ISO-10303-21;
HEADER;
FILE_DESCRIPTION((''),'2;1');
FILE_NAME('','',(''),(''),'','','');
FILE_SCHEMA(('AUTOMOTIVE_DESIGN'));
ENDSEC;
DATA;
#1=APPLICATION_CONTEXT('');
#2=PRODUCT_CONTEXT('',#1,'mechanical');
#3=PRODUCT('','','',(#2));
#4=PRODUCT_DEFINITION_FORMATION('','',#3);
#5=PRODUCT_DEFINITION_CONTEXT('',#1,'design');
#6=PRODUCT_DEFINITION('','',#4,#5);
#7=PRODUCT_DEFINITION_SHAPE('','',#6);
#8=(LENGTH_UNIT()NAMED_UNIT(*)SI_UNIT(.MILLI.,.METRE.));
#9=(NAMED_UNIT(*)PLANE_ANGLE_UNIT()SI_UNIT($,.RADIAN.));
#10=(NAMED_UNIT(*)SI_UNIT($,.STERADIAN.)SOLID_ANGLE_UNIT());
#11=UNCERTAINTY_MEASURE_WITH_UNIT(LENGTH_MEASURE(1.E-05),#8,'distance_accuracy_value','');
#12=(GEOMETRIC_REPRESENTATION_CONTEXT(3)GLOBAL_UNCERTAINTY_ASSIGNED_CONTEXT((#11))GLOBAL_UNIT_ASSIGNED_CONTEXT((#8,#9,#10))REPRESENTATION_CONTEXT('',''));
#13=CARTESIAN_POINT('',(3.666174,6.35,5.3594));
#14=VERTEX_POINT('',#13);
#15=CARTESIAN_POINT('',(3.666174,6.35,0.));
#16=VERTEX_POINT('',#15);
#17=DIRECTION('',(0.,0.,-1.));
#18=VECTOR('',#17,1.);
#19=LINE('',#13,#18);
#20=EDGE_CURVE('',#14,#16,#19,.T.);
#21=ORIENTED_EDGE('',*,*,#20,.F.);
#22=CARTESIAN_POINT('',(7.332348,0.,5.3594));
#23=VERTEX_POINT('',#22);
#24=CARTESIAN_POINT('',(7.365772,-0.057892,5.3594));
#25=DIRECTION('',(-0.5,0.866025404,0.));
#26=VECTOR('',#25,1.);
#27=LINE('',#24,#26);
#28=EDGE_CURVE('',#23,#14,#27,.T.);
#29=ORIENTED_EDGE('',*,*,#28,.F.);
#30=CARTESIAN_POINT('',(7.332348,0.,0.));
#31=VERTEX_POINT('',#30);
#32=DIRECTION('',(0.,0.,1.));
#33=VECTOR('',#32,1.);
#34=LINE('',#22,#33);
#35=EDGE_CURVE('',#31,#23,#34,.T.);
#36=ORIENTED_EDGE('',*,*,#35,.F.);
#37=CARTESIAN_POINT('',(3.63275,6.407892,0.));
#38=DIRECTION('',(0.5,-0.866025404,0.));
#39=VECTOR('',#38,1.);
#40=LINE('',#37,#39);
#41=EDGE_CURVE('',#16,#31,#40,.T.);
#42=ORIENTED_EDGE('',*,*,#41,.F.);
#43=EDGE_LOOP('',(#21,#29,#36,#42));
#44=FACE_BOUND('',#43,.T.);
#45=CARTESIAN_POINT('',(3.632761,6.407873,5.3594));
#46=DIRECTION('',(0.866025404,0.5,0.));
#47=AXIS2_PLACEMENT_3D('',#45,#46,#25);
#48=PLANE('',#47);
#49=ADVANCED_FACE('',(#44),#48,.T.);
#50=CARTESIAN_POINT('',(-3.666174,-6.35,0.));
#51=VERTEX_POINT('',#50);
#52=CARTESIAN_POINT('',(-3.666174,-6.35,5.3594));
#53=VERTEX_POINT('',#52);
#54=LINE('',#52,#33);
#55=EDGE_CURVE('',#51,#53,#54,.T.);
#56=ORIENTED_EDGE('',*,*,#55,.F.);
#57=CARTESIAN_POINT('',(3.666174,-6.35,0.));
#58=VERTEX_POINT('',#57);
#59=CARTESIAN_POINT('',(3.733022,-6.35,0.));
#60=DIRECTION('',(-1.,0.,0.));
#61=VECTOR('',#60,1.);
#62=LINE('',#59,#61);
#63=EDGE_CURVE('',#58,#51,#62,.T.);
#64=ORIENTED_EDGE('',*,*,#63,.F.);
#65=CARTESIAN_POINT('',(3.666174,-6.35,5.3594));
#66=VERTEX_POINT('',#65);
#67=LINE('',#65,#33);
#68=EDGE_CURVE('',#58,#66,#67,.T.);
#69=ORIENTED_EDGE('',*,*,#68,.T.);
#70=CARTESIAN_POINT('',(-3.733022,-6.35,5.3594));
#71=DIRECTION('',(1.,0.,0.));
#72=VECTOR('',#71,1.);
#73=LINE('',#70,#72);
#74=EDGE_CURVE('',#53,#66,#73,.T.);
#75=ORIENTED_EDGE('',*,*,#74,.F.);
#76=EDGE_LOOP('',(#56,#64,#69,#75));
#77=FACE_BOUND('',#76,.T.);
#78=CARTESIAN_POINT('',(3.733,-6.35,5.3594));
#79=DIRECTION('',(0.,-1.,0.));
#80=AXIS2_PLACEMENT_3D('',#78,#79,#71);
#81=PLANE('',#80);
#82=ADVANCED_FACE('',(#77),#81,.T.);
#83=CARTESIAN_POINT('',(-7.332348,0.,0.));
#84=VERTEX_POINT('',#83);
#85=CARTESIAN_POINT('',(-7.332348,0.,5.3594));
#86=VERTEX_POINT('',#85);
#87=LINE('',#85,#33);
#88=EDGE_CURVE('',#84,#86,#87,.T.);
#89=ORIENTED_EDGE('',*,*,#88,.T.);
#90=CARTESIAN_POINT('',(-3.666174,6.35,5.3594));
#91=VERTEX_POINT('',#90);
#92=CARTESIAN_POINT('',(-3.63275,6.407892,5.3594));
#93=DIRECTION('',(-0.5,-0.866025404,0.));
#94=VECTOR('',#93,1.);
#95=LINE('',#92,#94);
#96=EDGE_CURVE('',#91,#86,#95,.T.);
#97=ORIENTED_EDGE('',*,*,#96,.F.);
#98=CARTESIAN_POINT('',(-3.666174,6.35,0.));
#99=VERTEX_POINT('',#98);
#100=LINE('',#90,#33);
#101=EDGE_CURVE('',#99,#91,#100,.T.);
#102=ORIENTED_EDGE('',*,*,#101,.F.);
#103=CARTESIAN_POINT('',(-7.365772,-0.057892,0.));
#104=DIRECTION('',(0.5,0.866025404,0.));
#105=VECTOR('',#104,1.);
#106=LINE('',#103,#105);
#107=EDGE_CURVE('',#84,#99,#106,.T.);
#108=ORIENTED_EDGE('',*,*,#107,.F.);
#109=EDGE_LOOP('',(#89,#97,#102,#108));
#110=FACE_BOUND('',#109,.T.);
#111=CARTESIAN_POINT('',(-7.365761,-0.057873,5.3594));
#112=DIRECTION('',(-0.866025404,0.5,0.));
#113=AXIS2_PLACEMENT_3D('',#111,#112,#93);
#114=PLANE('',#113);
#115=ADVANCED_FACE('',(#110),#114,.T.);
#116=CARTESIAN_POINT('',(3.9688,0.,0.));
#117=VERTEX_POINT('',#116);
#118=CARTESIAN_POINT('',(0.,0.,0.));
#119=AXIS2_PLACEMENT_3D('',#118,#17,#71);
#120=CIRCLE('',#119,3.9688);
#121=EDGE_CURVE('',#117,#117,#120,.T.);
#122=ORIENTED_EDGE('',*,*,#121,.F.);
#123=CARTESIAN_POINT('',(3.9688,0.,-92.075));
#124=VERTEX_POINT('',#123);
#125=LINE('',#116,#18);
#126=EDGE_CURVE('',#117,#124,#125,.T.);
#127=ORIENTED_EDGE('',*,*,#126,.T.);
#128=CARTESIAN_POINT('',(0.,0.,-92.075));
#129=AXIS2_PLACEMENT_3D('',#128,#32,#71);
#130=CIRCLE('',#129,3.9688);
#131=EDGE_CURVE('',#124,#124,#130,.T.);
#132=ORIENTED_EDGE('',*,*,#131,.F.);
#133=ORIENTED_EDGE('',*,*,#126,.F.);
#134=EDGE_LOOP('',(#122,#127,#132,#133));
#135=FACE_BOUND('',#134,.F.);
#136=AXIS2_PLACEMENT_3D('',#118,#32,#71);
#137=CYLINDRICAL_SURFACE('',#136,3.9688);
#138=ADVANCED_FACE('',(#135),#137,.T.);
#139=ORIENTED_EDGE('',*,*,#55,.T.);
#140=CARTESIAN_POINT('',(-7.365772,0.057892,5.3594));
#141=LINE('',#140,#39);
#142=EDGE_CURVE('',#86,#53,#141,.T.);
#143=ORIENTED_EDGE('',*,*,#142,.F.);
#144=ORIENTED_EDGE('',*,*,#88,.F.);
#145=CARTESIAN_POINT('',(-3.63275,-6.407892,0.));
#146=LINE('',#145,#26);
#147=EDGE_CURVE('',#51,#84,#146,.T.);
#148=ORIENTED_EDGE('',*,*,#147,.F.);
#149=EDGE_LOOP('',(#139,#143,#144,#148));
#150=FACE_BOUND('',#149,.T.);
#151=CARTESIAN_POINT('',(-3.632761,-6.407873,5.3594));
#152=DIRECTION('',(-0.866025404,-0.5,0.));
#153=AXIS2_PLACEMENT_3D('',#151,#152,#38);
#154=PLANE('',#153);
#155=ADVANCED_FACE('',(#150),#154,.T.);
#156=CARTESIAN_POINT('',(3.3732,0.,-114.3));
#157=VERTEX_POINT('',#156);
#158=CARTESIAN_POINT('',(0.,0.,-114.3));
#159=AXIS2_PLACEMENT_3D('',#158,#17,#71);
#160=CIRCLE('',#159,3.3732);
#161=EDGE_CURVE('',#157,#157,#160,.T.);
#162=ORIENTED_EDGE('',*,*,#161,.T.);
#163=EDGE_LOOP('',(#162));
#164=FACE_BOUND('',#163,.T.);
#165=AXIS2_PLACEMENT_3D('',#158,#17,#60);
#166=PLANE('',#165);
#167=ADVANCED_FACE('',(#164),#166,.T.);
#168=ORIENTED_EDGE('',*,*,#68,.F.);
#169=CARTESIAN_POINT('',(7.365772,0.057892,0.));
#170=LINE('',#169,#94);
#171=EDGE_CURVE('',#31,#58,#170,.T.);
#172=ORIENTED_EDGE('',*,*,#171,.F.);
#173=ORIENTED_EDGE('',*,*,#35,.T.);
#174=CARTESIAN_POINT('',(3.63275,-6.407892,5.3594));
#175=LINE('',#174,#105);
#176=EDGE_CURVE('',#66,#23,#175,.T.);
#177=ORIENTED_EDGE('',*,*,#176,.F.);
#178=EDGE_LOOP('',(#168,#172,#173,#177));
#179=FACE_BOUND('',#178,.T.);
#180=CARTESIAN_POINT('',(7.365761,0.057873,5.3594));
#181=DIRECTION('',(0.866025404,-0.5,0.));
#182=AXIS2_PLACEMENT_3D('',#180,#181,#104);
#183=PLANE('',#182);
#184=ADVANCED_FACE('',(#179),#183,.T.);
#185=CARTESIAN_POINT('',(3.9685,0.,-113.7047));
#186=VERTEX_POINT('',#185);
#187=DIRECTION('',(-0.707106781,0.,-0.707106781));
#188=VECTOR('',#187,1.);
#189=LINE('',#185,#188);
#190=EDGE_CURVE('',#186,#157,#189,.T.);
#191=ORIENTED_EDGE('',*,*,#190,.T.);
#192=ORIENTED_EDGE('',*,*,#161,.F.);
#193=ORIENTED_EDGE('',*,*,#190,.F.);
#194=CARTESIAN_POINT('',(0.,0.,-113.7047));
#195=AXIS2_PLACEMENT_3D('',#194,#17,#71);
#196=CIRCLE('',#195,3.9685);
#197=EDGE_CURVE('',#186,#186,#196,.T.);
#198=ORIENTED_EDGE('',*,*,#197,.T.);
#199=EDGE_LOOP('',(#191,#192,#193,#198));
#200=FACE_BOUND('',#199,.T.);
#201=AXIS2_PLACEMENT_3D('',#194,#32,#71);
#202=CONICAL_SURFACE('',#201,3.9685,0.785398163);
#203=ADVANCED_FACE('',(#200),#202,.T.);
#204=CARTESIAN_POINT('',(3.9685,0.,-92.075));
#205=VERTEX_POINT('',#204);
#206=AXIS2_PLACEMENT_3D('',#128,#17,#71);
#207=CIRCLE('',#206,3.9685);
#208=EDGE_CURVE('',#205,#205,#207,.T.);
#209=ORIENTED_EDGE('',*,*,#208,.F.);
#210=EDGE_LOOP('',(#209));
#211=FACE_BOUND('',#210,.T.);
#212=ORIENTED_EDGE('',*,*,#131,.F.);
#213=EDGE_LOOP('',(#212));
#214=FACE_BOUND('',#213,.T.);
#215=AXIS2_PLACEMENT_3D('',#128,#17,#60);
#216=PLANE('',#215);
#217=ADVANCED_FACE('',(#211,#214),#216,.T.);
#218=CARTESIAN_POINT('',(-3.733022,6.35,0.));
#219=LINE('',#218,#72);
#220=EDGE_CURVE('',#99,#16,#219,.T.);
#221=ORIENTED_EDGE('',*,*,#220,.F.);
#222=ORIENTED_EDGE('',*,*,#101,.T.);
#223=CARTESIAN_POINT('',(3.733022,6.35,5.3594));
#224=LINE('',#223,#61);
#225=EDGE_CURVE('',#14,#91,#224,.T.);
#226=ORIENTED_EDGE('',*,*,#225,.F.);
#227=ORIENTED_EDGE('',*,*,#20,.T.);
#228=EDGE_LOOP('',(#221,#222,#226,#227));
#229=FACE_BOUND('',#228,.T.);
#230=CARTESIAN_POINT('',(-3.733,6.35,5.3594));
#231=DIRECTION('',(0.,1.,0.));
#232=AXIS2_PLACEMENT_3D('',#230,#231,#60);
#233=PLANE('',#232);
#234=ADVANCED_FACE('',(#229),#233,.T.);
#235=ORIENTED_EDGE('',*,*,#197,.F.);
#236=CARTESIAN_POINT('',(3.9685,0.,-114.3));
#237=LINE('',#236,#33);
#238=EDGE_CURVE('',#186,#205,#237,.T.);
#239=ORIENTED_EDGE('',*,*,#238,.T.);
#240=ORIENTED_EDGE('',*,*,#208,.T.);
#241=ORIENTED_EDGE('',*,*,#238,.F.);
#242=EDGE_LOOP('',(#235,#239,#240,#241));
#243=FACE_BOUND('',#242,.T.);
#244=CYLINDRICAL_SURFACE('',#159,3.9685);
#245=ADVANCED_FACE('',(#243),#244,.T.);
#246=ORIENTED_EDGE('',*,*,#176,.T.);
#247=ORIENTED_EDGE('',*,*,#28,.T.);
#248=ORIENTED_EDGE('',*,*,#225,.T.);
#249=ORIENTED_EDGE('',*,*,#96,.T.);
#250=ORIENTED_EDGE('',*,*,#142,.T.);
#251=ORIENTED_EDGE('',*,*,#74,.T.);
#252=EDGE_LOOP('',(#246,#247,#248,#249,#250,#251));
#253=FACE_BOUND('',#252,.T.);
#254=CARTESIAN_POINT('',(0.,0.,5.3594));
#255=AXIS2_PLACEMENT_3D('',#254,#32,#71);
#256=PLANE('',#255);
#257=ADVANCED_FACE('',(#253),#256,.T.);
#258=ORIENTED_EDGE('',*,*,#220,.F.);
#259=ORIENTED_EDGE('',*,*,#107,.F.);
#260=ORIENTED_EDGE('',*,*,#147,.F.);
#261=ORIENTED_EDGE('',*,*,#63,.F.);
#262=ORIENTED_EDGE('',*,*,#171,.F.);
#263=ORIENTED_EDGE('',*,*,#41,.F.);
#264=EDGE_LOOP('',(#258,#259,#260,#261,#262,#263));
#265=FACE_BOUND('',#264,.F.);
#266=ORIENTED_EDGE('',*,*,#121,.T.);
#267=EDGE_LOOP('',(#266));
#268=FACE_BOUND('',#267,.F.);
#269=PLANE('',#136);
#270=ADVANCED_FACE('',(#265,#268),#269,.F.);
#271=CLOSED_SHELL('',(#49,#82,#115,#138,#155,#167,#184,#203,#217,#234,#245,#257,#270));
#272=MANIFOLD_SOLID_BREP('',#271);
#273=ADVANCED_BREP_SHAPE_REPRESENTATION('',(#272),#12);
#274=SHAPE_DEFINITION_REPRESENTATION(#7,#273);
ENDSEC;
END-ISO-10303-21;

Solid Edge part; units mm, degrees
sketch "Sketch1" plane through (0, 0, 0) normal (0, 0, 1) x (1, 0, 0)
  circle A0 centre (0, 0) radius 7.366
  dimension "D1" = 14.732
extrude "Protrusion1" add sketch "Sketch1" along normal blind 5.3594
sketch "Sketch2" plane through (0, 0, 0) normal (0, 0, -1) x (1, 0, 0)
  circle A0 centre (0, 0) radius 3.9688
extrude "Protrusion2" add sketch "Sketch2" along normal blind 114.3
sketch "Sketch3" plane through (0, 0, -114.3) normal (0, 0, -1) x (1, 0, 0)
  circle A0 centre (0, 0) radius 3.9685
extrude "Cutout1" cut sketch "Sketch3" against normal blind 22.225 flip side to cut
chamfer "Chamfer_1" distance 0.5953 angle 45 1 edges at (-3.9685, 0, -114.3)
sketch "Sketch4" plane through (0, 0, 5.3594) normal (0, 0, 1) x (1, 0, 0)
  line L0 (-3.733, 6.35) -> (3.733, 6.35)
  dimension "D1" = 12.7
extrude "Cutout2" cut sketch "Sketch4" against normal up to next material side at (0, 6.4, 5.3594)
pattern_circular "Pattern1" count 6 over 360 about axis through (0, 0, 5.3594) along (0, 0, 1) of "Cutout2"
properties part number "135671"
